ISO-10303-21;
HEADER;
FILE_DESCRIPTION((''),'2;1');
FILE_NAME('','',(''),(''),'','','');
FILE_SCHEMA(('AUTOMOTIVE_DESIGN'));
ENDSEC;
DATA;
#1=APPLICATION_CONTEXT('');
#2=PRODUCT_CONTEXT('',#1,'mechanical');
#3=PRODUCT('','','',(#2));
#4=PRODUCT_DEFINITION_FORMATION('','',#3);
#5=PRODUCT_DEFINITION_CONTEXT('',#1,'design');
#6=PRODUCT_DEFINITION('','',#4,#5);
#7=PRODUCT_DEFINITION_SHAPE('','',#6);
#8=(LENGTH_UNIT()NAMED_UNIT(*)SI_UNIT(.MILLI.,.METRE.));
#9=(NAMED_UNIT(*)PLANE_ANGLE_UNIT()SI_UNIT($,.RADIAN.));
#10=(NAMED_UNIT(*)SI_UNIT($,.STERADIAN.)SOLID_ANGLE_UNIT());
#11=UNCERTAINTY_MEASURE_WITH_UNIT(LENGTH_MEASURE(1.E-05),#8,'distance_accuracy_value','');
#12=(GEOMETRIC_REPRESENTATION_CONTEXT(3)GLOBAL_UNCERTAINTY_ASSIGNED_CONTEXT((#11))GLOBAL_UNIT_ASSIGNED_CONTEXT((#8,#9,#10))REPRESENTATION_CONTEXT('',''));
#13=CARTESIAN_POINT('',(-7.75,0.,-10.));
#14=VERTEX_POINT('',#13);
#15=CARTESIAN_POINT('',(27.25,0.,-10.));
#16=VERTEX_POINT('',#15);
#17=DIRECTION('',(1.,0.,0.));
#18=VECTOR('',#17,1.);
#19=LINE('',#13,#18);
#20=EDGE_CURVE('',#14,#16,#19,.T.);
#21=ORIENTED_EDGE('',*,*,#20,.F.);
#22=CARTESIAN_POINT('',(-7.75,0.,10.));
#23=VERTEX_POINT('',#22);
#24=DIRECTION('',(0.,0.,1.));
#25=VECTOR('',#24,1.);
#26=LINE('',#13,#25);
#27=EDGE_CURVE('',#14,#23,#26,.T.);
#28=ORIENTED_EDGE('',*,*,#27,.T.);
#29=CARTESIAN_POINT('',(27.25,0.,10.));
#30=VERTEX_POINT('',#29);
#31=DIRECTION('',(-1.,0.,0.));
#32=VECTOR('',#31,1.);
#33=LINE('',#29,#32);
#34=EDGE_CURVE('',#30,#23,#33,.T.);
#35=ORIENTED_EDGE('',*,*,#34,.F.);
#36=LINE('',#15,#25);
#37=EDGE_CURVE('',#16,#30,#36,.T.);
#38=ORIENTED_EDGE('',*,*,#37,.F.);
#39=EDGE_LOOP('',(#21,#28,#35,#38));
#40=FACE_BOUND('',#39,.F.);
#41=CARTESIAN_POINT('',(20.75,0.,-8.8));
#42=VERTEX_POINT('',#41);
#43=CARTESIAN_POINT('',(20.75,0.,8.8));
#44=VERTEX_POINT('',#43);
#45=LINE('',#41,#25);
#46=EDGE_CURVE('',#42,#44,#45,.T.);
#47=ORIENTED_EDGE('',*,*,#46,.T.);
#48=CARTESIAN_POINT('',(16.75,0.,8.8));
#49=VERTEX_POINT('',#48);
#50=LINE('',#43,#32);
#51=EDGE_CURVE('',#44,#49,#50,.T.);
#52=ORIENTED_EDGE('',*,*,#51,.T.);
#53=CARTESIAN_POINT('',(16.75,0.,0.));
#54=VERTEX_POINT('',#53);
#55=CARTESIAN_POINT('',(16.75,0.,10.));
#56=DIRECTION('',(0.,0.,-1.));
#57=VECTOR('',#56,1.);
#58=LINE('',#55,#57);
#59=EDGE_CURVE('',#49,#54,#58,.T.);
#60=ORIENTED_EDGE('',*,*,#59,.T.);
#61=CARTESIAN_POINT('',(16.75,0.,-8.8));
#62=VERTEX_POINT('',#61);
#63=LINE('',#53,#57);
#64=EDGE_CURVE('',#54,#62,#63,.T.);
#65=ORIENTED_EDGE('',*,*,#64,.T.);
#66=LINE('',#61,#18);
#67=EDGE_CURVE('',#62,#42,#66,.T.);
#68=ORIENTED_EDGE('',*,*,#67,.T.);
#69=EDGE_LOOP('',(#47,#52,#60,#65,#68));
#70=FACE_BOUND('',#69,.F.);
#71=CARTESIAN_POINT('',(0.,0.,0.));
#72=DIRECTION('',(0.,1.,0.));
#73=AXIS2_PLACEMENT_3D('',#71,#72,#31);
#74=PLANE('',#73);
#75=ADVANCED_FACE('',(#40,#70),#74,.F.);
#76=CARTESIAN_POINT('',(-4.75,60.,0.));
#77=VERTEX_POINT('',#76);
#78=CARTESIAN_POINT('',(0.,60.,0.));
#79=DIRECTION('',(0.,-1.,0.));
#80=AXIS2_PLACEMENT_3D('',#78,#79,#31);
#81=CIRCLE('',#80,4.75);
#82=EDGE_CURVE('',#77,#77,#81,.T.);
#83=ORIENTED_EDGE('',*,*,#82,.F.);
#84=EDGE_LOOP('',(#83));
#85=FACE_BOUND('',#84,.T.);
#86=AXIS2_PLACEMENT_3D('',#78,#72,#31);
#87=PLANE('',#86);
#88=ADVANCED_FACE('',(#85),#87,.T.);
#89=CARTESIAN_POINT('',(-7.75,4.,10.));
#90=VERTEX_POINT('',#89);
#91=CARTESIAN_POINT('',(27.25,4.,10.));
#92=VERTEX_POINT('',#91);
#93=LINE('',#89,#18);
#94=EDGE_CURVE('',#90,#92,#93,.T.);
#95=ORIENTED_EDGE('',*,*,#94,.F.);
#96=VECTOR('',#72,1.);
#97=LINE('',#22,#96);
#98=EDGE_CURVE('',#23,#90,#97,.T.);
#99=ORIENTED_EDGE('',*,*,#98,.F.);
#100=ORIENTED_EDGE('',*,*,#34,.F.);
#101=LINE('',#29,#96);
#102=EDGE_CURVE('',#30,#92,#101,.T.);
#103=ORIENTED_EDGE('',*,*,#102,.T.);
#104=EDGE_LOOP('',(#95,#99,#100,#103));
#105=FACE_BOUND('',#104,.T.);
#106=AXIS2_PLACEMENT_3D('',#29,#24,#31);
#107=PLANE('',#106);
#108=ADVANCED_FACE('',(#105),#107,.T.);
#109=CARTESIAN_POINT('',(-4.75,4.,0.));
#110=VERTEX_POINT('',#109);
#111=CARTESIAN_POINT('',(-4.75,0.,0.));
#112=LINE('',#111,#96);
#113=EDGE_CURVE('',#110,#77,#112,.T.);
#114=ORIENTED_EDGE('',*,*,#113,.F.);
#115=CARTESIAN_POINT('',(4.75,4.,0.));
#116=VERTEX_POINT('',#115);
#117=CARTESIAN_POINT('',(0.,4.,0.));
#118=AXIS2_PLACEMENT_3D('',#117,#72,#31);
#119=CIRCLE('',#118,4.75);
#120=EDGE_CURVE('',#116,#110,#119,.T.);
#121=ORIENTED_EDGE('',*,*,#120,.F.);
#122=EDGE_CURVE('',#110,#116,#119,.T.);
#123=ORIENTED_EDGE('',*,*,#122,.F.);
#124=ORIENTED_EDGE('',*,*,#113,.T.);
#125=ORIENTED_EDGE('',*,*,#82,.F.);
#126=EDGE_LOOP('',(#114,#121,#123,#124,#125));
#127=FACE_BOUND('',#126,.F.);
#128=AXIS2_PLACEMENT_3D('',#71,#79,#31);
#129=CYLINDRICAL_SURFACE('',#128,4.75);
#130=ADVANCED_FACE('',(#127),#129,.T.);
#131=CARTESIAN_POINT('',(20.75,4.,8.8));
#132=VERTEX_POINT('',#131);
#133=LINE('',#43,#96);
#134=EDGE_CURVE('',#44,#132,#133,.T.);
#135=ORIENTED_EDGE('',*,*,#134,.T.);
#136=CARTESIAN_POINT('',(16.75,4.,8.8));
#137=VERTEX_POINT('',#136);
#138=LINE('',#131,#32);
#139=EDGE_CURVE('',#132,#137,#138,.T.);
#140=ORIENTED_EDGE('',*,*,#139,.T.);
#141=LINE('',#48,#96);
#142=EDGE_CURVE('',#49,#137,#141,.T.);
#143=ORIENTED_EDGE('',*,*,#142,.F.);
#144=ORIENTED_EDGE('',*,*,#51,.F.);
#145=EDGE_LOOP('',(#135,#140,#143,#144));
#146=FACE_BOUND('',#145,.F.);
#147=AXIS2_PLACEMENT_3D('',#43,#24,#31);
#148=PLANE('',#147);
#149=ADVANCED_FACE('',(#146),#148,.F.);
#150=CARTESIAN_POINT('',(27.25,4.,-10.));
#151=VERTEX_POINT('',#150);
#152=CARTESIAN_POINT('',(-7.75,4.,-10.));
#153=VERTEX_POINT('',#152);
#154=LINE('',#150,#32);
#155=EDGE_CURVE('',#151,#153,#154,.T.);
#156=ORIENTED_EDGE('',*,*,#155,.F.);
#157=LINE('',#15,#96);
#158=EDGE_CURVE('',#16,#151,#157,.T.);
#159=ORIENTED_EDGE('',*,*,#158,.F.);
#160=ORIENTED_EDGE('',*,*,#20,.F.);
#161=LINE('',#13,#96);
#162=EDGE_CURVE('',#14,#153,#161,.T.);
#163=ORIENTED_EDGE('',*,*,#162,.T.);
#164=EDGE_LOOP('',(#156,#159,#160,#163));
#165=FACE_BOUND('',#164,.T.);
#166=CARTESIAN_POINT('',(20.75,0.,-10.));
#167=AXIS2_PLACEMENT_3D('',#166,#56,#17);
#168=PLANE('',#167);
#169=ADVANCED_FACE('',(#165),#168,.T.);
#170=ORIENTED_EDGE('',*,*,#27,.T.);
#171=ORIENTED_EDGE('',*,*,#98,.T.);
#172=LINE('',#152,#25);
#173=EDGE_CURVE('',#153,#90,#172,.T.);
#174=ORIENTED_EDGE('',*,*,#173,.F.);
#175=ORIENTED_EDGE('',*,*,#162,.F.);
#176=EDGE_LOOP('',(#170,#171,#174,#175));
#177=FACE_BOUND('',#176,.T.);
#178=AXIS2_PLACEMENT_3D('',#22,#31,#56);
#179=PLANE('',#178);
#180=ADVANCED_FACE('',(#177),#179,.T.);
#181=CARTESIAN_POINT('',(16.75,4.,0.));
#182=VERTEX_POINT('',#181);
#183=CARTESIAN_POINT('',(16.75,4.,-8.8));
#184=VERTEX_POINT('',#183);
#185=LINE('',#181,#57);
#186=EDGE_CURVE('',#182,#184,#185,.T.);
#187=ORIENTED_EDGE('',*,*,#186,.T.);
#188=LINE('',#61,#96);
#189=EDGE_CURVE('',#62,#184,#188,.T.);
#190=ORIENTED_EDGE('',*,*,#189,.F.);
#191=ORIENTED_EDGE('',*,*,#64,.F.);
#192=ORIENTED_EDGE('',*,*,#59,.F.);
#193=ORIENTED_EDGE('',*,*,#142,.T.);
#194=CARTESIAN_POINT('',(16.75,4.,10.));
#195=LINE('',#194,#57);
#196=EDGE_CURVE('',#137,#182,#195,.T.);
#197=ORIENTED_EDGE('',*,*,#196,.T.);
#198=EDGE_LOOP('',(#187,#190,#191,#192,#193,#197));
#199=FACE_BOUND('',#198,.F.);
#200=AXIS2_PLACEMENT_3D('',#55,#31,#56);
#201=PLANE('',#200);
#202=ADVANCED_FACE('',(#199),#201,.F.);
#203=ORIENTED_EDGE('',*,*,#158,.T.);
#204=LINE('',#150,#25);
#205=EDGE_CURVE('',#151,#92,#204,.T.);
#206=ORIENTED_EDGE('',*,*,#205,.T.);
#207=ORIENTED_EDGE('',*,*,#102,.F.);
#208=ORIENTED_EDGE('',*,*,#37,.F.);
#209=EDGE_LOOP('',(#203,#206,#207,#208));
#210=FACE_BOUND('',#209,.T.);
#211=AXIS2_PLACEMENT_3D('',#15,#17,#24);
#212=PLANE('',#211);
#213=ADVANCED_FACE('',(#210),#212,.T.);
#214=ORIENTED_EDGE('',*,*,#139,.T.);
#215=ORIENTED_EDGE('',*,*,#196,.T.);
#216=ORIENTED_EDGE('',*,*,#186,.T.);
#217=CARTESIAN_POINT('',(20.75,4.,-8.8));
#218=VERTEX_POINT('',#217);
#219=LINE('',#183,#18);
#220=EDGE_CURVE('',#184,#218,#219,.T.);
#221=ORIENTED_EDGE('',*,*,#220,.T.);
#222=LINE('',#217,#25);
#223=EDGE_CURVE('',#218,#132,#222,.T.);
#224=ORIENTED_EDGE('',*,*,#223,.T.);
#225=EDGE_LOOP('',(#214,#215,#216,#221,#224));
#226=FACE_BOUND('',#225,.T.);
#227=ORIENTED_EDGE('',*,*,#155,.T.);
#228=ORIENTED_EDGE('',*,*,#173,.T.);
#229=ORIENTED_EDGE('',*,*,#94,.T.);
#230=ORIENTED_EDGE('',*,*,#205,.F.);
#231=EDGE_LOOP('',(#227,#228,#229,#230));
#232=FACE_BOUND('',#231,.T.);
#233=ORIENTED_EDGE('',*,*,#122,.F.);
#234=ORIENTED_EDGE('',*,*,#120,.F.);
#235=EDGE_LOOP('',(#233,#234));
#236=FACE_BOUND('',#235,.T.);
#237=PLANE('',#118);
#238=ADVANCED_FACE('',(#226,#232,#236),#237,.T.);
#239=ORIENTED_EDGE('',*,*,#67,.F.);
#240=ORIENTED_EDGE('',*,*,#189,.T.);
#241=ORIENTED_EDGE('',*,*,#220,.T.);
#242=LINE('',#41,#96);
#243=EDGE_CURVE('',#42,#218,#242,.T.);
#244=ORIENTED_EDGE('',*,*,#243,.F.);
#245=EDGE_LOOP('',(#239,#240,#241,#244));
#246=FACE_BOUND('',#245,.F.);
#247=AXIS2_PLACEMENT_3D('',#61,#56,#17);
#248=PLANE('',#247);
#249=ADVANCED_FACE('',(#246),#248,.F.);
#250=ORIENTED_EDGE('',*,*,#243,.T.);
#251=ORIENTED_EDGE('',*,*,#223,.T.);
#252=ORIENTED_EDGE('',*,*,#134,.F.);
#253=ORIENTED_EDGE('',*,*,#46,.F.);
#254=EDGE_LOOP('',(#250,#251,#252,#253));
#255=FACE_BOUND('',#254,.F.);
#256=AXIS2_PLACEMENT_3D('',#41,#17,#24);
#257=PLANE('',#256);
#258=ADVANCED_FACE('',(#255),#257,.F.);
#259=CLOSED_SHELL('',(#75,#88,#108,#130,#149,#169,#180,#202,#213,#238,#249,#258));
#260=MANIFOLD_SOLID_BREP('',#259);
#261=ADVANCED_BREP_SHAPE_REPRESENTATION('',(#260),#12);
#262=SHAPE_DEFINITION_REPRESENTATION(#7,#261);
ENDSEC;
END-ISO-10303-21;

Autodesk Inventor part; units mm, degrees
ref_plane "YZ Plane" through (0, 0, 0) normal (1, 0, 0) x (0, 1, 0)
ref_plane "XZ Plane" through (0, 0, 0) normal (0, 1, 0) x (-1, 0, 0)
ref_plane "XY Plane" through (0, 0, 0) normal (0, 0, 1) x (1, 0, 0)
sketch "Sketch1" plane through (0, 0, 0) normal (0, 1, 0) x (-1, 0, 0)
  circle A0 centre (0, 0) radius 4.75
  line L0 (7.75, 0) -> (7.75, -10)
  line L1 (7.75, -10) -> (-27.25, -10)
  line L2 (-27.25, -10) -> (-27.25, 10)
  line L3 (-27.25, 10) -> (7.75, 10)
  line L4 (7.75, 10) -> (7.75, 0)
  line L5 (-4.75, 0) -> (-16.75, 0)
  line L6 (-16.75, -10) -> (-16.75, -8.8)
  line L7 (-16.75, 10) -> (-16.75, 8.8)
  line L8 (-16.75, 8.8) -> (-16.75, -8.8)
  line L9 (-16.75, -8.8) -> (-20.75, -8.8)
  line L10 (-20.75, -8.8) -> (-20.75, 8.8)
  line L11 (-20.75, 8.8) -> (-16.75, 8.8)
  line L12 (-20.75, -8.8) -> (-20.75, -10)
  line L13 (-20.75, 8.8) -> (-20.75, 10)
  dimension "d0" = 9.5
  dimension "d2" = 10
  dimension "d3" = 35
  dimension "d4" = 20
  dimension "d5" = 12
  dimension "d6" = 1.2
  dimension "d7" = 1.2
  dimension "d8" = 4
extrude "Extrusion1" add sketch "Sketch1" along normal blind 60 contours A0
extrude "Extrusion2" add sketch "Sketch1" along normal blind 4 contours L8 L7 L3 L4 L0 L1 L6
extrude "Extrusion3" add sketch "Sketch1" along normal blind 4 contours L6 L1 L12 L9
extrude "Extrusion4" add sketch "Sketch1" along normal blind 4 contours L11 L13 L3 L7
extrude "Extrusion5" add sketch "Sketch1" along normal blind 4 contours L10 L12 L1 L2 L3 L13
properties part number "Bluetooth__Base"
